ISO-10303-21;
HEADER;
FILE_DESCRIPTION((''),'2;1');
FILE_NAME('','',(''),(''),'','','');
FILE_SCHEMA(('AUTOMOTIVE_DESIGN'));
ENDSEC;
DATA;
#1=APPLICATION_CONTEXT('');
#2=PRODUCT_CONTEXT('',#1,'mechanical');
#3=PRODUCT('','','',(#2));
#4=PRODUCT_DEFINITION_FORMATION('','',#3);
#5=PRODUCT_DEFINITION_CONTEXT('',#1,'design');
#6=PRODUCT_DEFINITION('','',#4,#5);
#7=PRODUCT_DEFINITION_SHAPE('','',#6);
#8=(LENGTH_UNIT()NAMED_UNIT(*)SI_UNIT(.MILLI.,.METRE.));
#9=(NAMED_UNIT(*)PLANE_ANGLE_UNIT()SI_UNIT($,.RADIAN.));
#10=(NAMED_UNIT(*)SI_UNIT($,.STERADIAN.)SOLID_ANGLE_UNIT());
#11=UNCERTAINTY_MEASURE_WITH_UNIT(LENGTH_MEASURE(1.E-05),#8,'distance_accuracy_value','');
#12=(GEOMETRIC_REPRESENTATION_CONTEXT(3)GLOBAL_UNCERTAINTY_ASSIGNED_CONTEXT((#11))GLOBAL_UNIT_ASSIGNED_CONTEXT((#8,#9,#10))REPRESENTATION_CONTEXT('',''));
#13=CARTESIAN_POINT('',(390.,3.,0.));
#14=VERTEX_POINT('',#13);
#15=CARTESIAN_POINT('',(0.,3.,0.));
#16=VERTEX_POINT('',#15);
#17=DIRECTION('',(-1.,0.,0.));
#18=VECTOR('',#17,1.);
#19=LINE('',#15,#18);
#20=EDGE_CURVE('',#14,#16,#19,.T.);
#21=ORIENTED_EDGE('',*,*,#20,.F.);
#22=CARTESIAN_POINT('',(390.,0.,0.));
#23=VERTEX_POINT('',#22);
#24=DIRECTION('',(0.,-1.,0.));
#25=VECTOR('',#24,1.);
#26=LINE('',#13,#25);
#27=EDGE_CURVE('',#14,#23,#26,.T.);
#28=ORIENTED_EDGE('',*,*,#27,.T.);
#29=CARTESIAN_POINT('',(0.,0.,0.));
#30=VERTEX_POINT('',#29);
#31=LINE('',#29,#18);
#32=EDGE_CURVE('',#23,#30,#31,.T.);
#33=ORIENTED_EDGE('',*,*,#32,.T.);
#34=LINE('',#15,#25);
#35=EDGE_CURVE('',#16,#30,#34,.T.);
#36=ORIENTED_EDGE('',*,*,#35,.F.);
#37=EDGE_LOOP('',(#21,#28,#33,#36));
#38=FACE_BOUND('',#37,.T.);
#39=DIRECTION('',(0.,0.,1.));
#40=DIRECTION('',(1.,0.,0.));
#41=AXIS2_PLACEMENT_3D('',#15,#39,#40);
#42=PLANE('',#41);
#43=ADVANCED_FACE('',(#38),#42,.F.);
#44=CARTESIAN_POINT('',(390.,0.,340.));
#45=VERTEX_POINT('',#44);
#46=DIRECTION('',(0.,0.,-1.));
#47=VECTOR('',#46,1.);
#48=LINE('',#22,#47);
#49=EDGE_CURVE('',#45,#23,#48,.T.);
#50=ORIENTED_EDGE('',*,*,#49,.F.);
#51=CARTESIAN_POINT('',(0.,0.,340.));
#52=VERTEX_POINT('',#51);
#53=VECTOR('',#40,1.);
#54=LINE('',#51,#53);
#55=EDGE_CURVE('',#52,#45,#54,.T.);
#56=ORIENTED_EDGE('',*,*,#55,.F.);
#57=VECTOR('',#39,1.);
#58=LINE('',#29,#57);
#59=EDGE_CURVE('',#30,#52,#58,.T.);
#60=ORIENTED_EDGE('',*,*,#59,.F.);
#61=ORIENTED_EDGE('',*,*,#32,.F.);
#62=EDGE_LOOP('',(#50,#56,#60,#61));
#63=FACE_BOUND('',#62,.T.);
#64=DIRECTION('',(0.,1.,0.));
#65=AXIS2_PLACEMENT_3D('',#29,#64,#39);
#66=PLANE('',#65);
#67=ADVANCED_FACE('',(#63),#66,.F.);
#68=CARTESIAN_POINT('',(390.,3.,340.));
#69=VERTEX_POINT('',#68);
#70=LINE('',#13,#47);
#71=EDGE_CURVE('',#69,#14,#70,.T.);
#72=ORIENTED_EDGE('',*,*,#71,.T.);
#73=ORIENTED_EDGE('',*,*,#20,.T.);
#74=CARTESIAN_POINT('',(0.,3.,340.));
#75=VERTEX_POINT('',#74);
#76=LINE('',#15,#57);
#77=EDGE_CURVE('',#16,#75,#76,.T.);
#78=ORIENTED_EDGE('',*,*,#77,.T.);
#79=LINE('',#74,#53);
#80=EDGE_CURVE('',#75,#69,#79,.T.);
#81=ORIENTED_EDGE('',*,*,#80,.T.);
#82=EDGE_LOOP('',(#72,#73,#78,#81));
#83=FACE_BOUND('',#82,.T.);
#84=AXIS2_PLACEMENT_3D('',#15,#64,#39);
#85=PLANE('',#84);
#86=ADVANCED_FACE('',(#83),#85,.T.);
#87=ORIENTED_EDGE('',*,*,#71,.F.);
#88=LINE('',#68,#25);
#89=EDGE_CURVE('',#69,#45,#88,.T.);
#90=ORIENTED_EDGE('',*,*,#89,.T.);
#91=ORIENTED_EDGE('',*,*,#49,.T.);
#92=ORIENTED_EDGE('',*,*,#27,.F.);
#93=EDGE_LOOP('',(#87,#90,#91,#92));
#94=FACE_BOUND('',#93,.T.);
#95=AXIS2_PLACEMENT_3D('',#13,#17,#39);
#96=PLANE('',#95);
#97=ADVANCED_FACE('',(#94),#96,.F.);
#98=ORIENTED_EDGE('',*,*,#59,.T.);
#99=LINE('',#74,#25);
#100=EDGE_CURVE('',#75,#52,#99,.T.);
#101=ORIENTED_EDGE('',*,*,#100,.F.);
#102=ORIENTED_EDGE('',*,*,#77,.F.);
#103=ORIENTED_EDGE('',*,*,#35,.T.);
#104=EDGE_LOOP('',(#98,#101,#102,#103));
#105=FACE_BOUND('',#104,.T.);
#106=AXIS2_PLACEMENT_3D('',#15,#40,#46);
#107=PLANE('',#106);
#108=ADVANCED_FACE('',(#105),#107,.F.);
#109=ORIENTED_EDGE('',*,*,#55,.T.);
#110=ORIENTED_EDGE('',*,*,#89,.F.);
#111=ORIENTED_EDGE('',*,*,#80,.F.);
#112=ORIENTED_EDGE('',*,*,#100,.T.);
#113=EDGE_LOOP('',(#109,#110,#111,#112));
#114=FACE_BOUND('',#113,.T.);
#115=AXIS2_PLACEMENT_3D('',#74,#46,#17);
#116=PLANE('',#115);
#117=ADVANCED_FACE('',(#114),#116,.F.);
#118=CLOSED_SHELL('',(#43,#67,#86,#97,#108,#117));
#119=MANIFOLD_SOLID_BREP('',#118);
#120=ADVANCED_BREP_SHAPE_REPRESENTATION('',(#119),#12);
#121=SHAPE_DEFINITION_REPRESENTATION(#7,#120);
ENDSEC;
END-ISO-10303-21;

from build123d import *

# Parameters (mm, degrees)
ESQUISSE1_W        = 390
ESQUISSE1_H        = 340
BOSS_EXTRU_1_DEPTH = 3


with BuildPart() as part:
    # Esquisse1 → Boss.-Extru.1 (new body)
    with BuildSketch(Plane(origin=(0, 0, 0), x_dir=(1, 0, 0), z_dir=(0, 1, 0))):
        with Locations((195, -170)):
            Rectangle(ESQUISSE1_W, ESQUISSE1_H)
    extrude(amount=BOSS_EXTRU_1_DEPTH)


solid = part.part
